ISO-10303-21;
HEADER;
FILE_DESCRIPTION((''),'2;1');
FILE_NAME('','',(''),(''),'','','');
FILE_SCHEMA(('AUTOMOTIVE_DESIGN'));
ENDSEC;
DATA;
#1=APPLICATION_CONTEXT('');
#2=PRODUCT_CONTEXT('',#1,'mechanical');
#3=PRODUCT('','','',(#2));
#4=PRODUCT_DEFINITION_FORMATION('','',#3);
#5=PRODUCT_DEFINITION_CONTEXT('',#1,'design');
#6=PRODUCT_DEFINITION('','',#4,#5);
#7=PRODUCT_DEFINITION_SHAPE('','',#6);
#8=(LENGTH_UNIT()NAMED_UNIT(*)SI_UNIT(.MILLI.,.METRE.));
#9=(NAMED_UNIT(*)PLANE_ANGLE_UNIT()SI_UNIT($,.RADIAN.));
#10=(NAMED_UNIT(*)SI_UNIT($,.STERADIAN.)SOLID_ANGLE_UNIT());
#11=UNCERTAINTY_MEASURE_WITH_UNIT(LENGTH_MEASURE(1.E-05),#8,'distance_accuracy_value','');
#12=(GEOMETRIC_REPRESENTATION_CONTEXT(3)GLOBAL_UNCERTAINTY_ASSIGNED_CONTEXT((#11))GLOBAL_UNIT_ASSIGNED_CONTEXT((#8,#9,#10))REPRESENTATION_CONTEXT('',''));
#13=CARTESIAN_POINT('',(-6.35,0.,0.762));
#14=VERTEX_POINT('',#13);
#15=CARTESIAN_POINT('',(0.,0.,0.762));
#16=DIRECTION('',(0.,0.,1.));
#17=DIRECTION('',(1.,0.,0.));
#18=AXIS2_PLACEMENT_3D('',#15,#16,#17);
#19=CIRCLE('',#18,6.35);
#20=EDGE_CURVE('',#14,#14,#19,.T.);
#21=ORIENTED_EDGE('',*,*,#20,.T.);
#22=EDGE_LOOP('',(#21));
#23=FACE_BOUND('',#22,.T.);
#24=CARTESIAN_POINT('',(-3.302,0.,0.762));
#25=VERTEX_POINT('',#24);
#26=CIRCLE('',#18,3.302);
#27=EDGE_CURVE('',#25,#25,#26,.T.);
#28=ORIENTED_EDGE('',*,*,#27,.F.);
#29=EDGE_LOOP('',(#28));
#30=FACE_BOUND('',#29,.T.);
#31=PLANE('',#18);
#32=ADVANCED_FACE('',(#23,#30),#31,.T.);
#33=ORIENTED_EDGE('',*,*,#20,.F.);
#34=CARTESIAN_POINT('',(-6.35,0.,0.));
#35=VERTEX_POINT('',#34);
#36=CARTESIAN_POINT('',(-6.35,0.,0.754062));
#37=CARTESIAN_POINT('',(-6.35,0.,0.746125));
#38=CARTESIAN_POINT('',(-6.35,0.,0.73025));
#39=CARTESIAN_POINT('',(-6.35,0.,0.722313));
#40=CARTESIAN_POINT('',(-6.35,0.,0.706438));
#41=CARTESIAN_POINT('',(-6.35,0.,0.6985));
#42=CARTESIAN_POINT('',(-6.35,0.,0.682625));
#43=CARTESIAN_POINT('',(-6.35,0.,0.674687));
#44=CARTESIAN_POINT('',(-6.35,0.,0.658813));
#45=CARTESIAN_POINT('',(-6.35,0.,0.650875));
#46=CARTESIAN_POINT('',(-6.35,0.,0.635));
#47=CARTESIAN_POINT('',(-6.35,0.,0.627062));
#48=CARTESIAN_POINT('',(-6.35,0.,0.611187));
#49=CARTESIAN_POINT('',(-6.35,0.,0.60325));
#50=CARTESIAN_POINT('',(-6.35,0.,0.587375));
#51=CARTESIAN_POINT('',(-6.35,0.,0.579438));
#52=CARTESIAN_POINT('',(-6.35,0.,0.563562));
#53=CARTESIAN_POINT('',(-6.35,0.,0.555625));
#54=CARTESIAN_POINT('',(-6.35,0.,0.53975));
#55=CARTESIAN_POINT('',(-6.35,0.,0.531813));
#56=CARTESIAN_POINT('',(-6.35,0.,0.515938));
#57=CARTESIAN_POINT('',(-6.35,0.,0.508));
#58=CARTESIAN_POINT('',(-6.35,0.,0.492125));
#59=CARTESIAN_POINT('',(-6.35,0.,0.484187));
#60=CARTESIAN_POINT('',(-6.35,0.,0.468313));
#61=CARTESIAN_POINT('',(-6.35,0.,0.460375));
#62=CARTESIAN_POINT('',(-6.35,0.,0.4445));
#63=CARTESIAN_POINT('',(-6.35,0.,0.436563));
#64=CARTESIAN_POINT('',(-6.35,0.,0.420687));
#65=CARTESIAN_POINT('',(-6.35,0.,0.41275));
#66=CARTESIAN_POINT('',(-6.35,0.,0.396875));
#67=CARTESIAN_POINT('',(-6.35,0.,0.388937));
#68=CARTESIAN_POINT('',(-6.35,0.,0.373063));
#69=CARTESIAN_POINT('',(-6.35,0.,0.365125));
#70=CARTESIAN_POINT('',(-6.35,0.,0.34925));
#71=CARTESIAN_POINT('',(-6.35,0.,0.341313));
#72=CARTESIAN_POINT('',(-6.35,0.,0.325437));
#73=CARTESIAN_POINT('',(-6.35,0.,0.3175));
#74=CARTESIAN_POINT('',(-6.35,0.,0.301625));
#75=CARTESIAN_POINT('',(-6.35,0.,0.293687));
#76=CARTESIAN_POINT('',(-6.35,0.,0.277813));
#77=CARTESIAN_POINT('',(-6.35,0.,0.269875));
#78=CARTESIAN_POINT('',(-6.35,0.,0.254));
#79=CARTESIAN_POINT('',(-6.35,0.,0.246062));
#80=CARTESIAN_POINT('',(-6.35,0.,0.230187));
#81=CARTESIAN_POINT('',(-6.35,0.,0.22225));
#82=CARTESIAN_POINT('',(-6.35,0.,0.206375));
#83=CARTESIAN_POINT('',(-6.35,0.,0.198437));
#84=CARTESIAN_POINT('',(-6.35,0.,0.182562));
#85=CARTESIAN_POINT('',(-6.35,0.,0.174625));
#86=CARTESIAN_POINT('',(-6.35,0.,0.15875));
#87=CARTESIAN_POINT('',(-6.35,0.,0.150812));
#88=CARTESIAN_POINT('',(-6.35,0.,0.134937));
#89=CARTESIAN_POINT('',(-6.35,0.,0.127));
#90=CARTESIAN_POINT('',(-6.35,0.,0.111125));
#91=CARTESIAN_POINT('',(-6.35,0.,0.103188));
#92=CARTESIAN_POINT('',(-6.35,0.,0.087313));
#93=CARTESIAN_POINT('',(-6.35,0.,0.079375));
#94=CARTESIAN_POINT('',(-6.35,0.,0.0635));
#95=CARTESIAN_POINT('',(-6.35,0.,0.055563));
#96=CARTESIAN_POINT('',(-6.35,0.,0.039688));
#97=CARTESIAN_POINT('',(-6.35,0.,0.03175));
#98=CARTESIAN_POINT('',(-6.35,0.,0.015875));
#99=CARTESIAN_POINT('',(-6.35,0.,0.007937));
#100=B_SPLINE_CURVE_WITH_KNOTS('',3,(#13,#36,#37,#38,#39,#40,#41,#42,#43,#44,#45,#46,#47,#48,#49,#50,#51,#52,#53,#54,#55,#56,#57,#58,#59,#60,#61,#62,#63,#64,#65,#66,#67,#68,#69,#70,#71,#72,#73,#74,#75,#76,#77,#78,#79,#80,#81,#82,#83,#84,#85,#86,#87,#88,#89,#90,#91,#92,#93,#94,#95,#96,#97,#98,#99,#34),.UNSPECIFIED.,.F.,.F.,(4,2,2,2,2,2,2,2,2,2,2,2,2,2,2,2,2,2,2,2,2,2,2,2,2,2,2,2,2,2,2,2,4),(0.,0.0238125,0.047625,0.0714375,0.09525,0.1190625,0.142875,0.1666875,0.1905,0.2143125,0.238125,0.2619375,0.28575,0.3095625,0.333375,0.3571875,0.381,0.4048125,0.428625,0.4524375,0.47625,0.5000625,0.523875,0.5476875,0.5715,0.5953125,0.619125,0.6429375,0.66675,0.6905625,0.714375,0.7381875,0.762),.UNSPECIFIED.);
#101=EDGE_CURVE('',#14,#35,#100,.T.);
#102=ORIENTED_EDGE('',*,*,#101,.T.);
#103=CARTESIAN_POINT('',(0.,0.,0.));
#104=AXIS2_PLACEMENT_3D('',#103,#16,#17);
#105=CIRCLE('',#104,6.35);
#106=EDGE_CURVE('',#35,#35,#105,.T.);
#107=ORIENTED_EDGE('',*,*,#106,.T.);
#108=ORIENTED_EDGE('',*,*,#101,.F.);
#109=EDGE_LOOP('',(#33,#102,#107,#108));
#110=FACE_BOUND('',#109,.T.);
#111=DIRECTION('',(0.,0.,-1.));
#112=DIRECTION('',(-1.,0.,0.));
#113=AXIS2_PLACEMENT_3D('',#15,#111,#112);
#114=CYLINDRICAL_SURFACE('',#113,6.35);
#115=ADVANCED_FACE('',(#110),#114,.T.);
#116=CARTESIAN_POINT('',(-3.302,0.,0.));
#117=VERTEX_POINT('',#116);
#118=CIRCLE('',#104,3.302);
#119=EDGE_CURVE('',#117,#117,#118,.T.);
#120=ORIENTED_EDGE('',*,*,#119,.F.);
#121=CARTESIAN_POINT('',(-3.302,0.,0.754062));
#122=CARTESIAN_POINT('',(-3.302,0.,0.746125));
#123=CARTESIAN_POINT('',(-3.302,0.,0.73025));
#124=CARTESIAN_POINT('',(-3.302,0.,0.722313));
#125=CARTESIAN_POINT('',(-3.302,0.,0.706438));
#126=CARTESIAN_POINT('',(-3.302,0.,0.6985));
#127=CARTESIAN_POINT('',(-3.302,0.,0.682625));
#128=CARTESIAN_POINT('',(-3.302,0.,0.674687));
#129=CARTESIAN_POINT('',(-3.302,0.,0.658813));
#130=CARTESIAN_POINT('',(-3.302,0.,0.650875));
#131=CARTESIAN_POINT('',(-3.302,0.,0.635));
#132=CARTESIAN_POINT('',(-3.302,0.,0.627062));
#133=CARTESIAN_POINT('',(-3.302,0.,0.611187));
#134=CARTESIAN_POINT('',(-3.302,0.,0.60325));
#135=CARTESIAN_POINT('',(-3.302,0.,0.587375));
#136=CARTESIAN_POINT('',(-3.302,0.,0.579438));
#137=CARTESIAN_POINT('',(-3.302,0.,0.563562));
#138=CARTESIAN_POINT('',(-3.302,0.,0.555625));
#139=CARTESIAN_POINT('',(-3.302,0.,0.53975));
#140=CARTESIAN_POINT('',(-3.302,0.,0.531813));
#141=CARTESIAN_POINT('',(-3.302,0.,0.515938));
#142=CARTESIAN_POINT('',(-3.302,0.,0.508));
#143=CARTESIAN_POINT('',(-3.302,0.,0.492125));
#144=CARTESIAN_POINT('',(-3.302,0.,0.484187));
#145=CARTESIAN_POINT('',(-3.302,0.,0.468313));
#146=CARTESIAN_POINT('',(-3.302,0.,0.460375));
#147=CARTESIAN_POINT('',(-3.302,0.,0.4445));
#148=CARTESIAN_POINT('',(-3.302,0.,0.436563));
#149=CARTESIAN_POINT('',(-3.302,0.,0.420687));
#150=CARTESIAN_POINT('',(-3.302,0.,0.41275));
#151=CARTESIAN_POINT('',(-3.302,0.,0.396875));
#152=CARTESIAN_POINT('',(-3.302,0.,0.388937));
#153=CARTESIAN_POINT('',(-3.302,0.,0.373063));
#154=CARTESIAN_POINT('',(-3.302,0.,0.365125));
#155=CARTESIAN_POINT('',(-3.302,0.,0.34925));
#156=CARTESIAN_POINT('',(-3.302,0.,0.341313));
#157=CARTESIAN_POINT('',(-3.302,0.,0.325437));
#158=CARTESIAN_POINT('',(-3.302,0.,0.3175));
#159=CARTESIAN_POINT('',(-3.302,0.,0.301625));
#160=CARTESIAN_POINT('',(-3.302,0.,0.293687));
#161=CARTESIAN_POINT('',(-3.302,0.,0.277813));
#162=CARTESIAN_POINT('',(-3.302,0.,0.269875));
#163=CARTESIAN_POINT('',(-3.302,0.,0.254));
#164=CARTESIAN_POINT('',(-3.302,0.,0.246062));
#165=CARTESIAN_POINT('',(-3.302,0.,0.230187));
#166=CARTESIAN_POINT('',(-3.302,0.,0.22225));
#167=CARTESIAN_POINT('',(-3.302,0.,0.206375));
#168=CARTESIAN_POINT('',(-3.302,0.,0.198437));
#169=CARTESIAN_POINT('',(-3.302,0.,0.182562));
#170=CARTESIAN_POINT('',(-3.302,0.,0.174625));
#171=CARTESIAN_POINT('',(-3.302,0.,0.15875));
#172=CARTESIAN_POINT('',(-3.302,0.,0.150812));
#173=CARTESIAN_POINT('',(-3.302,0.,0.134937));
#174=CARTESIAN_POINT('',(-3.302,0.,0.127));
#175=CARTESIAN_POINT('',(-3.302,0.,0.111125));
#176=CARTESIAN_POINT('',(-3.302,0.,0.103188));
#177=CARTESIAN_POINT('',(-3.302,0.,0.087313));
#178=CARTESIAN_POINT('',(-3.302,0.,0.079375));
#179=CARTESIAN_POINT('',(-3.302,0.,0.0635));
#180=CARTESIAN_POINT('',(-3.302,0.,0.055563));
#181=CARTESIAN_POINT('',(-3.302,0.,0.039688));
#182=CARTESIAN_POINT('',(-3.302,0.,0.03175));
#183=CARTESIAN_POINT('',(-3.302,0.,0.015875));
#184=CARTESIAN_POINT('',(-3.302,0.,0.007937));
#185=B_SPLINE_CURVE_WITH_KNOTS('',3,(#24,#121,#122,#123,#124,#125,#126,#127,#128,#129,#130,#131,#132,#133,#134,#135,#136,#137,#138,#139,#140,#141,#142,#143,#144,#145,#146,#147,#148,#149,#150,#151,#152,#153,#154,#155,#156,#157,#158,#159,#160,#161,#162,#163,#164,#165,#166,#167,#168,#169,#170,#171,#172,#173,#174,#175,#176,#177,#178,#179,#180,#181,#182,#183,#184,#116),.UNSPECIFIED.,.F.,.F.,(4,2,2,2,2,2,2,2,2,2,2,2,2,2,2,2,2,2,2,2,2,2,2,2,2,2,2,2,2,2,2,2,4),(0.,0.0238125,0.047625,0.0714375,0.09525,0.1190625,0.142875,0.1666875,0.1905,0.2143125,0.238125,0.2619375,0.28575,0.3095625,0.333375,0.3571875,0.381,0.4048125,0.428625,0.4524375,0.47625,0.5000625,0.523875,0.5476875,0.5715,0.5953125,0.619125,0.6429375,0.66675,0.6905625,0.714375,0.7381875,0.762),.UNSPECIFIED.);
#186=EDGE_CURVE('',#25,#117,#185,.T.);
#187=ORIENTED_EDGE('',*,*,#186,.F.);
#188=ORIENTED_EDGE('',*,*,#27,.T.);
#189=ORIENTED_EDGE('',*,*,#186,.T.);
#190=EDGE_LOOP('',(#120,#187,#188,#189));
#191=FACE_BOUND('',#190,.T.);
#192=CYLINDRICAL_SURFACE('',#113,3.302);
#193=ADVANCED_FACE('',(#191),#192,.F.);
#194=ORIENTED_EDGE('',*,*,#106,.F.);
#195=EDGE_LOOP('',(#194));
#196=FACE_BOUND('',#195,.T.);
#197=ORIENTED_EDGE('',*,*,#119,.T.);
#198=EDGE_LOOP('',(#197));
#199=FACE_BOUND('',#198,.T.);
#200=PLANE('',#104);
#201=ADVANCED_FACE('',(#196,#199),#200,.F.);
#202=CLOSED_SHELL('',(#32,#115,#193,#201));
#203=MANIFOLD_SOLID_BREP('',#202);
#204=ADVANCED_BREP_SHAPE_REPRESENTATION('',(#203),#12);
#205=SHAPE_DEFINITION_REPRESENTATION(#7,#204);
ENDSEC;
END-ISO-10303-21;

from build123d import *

# Parameters (mm, degrees)
SKETCH1_R           = 6.35
SKETCH1_R_2         = 3.302
BOSS_EXTRUDE1_DEPTH = 0.762


with BuildPart() as part:
    # Sketch1 → Boss-Extrude1 (new body)
    with BuildSketch(Plane.XY):
        Circle(SKETCH1_R)
        Circle(SKETCH1_R_2, mode=Mode.SUBTRACT)
    extrude(amount=BOSS_EXTRUDE1_DEPTH)


solid = part.part
